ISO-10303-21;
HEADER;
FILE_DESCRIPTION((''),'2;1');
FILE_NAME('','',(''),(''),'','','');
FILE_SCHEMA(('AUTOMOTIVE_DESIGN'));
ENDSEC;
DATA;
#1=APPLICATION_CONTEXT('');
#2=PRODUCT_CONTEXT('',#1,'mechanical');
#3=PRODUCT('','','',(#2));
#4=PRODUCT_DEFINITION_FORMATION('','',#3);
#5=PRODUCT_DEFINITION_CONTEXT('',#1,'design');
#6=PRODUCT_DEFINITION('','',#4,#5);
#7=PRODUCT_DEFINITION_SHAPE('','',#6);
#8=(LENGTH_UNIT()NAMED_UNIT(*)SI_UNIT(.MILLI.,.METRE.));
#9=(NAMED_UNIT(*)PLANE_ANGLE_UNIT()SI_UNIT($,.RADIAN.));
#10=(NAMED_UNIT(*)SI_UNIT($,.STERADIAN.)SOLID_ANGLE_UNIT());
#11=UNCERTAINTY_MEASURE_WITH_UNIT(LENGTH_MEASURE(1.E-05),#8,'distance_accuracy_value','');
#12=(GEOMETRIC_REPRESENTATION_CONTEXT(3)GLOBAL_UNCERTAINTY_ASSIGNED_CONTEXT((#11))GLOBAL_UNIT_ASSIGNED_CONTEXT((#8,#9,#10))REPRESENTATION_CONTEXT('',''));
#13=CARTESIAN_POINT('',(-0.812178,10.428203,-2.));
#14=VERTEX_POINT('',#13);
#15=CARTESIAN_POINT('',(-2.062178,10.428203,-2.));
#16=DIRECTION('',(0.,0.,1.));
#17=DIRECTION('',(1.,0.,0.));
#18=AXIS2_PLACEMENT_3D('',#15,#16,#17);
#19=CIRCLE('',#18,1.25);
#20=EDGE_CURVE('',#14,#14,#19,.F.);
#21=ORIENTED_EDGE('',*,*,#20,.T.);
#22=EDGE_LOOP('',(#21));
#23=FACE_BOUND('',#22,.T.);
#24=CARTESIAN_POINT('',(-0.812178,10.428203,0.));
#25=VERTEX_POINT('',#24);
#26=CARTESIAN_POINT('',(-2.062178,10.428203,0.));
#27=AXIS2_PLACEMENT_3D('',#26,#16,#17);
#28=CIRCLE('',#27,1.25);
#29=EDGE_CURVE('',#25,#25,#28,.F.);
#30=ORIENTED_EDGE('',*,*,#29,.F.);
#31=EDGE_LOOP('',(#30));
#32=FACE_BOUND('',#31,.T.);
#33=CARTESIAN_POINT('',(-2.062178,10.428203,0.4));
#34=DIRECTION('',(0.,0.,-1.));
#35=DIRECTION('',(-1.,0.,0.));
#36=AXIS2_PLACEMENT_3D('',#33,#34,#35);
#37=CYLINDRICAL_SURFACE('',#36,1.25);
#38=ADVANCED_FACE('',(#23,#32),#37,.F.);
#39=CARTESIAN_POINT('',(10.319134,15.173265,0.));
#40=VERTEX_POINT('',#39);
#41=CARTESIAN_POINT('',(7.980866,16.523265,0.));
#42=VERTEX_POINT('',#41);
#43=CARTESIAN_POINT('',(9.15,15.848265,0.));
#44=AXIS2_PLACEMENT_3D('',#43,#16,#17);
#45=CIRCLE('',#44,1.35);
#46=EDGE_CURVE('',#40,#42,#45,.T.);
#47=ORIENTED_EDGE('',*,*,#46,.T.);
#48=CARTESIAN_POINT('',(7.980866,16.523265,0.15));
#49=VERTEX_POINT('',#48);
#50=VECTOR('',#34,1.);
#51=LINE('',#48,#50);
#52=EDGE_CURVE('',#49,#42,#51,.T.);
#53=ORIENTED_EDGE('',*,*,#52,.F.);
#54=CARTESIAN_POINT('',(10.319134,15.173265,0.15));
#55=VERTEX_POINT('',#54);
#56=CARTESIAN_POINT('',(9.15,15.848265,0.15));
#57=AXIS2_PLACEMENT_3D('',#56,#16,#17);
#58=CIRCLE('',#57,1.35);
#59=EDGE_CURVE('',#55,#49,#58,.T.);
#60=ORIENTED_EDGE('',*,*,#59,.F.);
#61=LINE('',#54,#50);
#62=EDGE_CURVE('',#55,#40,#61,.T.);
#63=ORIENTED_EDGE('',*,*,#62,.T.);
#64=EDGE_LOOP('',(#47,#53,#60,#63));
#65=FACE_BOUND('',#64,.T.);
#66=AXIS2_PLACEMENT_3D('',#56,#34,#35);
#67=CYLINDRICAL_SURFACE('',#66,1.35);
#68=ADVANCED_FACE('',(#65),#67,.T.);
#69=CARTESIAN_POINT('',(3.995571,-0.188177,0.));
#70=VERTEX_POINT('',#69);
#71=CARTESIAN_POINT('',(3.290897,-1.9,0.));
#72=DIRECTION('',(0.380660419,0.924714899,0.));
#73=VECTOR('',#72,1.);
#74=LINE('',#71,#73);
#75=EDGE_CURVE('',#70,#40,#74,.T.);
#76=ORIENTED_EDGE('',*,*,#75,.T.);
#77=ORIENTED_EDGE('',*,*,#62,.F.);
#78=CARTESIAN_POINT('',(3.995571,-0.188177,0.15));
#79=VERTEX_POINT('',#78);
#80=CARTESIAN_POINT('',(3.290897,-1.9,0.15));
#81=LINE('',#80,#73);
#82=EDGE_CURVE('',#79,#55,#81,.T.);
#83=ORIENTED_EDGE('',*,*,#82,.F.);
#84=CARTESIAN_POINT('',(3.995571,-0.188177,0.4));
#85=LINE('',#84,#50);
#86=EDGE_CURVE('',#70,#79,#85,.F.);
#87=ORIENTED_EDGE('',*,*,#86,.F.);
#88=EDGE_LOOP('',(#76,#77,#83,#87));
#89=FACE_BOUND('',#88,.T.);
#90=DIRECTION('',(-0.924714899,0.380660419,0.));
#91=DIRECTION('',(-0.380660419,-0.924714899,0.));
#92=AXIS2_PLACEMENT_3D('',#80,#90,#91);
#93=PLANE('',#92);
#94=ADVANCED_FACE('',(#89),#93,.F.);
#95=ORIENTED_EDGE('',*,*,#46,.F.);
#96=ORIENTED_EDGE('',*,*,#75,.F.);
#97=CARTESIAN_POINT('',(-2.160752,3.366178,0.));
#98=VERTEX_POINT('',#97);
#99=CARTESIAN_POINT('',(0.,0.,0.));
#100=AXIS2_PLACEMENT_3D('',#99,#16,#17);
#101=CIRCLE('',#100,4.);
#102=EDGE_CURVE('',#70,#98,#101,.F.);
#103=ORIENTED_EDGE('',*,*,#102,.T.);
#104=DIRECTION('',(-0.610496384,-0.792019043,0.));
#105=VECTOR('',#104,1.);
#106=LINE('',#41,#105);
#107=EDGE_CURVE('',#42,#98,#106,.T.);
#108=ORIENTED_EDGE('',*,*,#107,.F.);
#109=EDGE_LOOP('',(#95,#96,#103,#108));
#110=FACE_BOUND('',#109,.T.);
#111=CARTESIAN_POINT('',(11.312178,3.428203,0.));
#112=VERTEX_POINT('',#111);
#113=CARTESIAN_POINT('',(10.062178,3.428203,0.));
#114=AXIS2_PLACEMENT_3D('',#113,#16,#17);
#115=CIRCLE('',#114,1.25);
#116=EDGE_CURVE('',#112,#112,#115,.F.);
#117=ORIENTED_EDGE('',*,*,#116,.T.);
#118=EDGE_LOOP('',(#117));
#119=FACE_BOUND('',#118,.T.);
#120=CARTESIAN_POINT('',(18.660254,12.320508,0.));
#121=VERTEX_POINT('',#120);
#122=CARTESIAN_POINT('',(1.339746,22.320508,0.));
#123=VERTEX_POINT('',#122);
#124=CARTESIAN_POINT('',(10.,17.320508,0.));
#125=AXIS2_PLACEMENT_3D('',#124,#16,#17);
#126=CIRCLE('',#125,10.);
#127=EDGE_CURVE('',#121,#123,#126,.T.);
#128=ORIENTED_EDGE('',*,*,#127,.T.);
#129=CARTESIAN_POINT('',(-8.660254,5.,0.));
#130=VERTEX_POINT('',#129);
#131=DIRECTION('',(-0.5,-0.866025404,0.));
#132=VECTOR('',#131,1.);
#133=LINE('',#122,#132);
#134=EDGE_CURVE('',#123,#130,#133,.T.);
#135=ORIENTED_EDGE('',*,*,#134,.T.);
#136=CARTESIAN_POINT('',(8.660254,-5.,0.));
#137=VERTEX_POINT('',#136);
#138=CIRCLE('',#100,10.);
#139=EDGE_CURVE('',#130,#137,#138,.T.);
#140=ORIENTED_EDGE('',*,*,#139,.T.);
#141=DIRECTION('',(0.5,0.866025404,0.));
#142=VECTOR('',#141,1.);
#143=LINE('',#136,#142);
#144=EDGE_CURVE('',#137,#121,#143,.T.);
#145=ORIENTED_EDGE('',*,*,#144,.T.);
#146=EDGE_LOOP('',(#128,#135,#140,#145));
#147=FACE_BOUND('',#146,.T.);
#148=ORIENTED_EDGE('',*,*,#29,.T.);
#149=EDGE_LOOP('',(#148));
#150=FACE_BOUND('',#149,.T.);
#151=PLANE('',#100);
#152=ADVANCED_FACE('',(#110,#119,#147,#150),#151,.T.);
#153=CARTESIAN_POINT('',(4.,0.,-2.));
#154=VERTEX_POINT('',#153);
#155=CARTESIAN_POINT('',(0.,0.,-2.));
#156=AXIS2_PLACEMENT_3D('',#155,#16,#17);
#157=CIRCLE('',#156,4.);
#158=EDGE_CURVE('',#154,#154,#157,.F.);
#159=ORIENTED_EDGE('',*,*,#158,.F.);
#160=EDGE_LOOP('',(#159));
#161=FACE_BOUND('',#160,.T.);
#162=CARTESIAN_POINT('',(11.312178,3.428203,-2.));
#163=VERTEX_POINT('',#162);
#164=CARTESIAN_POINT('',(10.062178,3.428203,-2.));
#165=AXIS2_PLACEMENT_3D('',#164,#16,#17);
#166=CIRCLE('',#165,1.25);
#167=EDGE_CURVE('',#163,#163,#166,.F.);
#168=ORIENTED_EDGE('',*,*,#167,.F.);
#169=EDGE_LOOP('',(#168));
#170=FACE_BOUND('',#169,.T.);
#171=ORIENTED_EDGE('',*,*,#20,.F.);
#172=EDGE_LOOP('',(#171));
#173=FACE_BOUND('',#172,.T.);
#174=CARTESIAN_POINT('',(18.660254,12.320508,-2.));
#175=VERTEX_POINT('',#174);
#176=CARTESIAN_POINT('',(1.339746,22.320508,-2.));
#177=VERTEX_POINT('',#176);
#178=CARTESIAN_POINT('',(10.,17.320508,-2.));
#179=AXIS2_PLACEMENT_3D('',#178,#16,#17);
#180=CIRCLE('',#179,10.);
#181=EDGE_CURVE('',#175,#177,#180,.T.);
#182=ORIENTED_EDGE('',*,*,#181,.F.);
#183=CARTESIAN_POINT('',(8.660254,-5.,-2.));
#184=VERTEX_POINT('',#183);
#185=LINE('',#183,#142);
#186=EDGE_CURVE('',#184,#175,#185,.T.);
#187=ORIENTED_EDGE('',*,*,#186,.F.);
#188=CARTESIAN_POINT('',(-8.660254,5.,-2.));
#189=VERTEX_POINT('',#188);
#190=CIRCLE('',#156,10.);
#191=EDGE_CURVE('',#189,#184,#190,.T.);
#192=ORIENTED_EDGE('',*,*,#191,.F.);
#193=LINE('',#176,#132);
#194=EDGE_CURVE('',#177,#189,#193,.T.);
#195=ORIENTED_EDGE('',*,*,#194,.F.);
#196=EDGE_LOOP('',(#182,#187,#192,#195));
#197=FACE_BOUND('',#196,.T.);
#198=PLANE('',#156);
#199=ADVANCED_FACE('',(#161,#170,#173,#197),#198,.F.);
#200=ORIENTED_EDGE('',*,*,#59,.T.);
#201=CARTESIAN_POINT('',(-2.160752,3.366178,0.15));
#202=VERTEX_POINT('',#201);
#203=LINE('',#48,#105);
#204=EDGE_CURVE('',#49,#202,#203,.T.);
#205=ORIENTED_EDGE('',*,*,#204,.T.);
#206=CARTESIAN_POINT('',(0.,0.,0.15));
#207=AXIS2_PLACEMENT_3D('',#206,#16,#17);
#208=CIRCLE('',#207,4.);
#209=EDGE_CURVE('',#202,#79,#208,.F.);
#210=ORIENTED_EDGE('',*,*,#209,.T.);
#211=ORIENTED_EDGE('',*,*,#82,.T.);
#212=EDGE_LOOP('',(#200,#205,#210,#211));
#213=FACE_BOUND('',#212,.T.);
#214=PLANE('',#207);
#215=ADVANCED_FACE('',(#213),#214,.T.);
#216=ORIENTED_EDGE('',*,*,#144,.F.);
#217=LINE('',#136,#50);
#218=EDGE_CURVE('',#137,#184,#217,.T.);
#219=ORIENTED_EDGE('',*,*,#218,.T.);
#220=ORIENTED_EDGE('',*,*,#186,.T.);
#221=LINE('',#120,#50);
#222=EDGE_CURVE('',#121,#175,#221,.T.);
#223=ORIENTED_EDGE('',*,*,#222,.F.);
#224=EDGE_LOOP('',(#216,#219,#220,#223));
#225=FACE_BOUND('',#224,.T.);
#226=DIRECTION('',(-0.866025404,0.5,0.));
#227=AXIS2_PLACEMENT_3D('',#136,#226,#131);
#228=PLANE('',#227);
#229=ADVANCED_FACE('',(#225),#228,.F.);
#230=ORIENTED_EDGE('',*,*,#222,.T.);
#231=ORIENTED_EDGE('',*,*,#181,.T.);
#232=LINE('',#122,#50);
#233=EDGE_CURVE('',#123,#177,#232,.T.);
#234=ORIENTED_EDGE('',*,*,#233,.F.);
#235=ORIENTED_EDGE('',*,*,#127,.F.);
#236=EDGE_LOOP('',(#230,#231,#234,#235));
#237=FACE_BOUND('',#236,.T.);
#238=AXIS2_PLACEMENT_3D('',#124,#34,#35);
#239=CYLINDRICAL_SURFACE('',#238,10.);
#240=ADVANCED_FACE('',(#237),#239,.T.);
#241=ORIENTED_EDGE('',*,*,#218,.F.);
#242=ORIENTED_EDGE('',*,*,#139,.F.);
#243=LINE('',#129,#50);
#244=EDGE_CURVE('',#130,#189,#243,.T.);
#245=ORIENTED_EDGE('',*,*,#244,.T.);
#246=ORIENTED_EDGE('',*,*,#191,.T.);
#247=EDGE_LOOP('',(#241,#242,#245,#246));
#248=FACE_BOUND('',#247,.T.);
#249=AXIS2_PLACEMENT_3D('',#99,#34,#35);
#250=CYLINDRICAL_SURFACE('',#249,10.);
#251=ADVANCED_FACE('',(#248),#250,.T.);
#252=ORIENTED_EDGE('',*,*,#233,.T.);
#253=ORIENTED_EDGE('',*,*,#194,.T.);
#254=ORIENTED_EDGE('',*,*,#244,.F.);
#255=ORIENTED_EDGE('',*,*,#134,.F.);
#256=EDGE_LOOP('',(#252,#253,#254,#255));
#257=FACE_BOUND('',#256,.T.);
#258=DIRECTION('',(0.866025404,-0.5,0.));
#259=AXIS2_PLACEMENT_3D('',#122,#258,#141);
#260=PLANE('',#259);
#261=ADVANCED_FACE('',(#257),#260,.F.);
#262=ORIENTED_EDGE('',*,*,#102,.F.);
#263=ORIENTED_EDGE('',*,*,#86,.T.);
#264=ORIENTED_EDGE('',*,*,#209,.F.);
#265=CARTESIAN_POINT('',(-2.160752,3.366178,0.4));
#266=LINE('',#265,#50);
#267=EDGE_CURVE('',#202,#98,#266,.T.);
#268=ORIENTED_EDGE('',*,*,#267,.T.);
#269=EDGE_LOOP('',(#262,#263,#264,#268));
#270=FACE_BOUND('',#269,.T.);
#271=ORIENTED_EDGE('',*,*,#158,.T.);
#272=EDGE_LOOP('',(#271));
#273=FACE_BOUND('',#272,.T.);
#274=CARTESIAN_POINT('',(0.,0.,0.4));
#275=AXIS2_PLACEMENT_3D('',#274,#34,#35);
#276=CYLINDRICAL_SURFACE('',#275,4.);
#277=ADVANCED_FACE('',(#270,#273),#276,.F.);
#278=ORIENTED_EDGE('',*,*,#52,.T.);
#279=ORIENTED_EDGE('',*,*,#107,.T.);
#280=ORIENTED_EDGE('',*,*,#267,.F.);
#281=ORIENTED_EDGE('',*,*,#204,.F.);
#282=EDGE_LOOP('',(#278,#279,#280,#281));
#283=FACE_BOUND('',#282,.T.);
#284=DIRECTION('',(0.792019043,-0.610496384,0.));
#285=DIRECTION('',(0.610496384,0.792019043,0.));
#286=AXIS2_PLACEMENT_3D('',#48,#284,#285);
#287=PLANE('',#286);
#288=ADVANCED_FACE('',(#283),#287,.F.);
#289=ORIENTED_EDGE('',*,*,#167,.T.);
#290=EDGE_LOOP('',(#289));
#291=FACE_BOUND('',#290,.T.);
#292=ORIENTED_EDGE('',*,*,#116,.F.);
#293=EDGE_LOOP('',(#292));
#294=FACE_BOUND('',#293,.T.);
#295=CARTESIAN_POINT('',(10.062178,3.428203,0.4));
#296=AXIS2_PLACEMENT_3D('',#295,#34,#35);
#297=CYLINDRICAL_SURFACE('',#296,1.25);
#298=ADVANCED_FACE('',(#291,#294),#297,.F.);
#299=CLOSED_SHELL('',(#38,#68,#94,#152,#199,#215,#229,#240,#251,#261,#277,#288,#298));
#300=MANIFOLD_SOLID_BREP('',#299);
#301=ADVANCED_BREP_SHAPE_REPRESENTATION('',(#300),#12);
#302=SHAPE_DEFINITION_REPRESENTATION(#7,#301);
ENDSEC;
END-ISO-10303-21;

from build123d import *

# Parameters (mm, degrees)
RETAINER_PLATE_2MM_START         = -2
RETAINER_PLATE_2MM_DEPTH         = 2
RETAINER_PLATE_2MM_ROOT_START    = -2
SKETCH_2_R                       = 10
RETAINER_PLATE_2MM_ROOT_DEPTH    = 2
RETAINER_PLATE_2MM_TIP_START     = -2
SKETCH_3_R                       = 10
RETAINER_PLATE_2MM_TIP_DEPTH     = 2
HORN_CONTACT_PAD_0P15_DEPTH      = 0.15
SKETCH_5_R                       = 3.8
HORN_CONTACT_PAD_0P15_ROOT_DEPTH = 0.15
SKETCH_6_R                       = 1.35
HORN_CONTACT_PAD_0P15_TIP_DEPTH  = 0.15
BOSS_CLEARANCE_8_START           = -2.1
SKETCH_7_R                       = 4
BOSS_CLEARANCE_8_DEPTH           = 2.5
M2_CLEARANCE_2P5_PITCH14_START   = -2.1
SKETCH_8_R                       = 1.25
M2_CLEARANCE_2P5_PITCH14_DEPTH   = 2.5


with BuildPart() as part:
    # 草图1 → Retainer_plate_2mm (new body)
    with BuildSketch(Plane.XY.offset(RETAINER_PLATE_2MM_START)):
        Polygon((8.660254038, -5), (18.660254038, 12.320508076), (1.339745962, 22.320508076), (-8.660254038, 5), align=None)
    extrude(amount=RETAINER_PLATE_2MM_DEPTH)

    # 草图2 → Retainer_plate_2mm_root (add)
    with BuildSketch(Plane.XY.offset(RETAINER_PLATE_2MM_ROOT_START)):
        Circle(SKETCH_2_R)
    extrude(amount=RETAINER_PLATE_2MM_ROOT_DEPTH)

    # 草图3 → Retainer_plate_2mm_tip (add)
    with BuildSketch(Plane.XY.offset(RETAINER_PLATE_2MM_TIP_START)):
        with Locations((10, 17.320508076)):
            Circle(SKETCH_3_R)
    extrude(amount=RETAINER_PLATE_2MM_TIP_DEPTH)

    # 草图4 → Horn_contact_pad_0p15 (add)
    with BuildSketch(Plane.XY):
        Polygon((3.290896534, -1.9), (10.319134295, 15.173264889), (7.980865705, 16.523264889), (-3.290896534, 1.9), align=None)
    extrude(amount=HORN_CONTACT_PAD_0P15_DEPTH)

    # 草图5 → Horn_contact_pad_0p15_root (add)
    with BuildSketch(Plane.XY):
        Circle(SKETCH_5_R)
    extrude(amount=HORN_CONTACT_PAD_0P15_ROOT_DEPTH)

    # 草图6 → Horn_contact_pad_0p15_tip (add)
    with BuildSketch(Plane.XY):
        with Locations((9.15, 15.848264889)):
            Circle(SKETCH_6_R)
    extrude(amount=HORN_CONTACT_PAD_0P15_TIP_DEPTH)

    # 草图7 → Boss_clearance_8 (cut)
    with BuildSketch(Plane.XY.offset(BOSS_CLEARANCE_8_START)):
        with Locations(Location((0, 0, 0), (0, 0, 122.696435406))):
            Circle(SKETCH_7_R)
    extrude(amount=BOSS_CLEARANCE_8_DEPTH, mode=Mode.SUBTRACT)

    # 草图8 → M2_clearance_2p5_pitch14 (cut)
    with BuildSketch(Plane.XY.offset(M2_CLEARANCE_2P5_PITCH14_START)):
        with Locations((10.062177826, 3.42820323)):
            Circle(SKETCH_8_R)
        with Locations((-2.062177826, 10.42820323)):
            Circle(SKETCH_8_R)
    extrude(amount=M2_CLEARANCE_2P5_PITCH14_DEPTH, mode=Mode.SUBTRACT)


solid = part.part
